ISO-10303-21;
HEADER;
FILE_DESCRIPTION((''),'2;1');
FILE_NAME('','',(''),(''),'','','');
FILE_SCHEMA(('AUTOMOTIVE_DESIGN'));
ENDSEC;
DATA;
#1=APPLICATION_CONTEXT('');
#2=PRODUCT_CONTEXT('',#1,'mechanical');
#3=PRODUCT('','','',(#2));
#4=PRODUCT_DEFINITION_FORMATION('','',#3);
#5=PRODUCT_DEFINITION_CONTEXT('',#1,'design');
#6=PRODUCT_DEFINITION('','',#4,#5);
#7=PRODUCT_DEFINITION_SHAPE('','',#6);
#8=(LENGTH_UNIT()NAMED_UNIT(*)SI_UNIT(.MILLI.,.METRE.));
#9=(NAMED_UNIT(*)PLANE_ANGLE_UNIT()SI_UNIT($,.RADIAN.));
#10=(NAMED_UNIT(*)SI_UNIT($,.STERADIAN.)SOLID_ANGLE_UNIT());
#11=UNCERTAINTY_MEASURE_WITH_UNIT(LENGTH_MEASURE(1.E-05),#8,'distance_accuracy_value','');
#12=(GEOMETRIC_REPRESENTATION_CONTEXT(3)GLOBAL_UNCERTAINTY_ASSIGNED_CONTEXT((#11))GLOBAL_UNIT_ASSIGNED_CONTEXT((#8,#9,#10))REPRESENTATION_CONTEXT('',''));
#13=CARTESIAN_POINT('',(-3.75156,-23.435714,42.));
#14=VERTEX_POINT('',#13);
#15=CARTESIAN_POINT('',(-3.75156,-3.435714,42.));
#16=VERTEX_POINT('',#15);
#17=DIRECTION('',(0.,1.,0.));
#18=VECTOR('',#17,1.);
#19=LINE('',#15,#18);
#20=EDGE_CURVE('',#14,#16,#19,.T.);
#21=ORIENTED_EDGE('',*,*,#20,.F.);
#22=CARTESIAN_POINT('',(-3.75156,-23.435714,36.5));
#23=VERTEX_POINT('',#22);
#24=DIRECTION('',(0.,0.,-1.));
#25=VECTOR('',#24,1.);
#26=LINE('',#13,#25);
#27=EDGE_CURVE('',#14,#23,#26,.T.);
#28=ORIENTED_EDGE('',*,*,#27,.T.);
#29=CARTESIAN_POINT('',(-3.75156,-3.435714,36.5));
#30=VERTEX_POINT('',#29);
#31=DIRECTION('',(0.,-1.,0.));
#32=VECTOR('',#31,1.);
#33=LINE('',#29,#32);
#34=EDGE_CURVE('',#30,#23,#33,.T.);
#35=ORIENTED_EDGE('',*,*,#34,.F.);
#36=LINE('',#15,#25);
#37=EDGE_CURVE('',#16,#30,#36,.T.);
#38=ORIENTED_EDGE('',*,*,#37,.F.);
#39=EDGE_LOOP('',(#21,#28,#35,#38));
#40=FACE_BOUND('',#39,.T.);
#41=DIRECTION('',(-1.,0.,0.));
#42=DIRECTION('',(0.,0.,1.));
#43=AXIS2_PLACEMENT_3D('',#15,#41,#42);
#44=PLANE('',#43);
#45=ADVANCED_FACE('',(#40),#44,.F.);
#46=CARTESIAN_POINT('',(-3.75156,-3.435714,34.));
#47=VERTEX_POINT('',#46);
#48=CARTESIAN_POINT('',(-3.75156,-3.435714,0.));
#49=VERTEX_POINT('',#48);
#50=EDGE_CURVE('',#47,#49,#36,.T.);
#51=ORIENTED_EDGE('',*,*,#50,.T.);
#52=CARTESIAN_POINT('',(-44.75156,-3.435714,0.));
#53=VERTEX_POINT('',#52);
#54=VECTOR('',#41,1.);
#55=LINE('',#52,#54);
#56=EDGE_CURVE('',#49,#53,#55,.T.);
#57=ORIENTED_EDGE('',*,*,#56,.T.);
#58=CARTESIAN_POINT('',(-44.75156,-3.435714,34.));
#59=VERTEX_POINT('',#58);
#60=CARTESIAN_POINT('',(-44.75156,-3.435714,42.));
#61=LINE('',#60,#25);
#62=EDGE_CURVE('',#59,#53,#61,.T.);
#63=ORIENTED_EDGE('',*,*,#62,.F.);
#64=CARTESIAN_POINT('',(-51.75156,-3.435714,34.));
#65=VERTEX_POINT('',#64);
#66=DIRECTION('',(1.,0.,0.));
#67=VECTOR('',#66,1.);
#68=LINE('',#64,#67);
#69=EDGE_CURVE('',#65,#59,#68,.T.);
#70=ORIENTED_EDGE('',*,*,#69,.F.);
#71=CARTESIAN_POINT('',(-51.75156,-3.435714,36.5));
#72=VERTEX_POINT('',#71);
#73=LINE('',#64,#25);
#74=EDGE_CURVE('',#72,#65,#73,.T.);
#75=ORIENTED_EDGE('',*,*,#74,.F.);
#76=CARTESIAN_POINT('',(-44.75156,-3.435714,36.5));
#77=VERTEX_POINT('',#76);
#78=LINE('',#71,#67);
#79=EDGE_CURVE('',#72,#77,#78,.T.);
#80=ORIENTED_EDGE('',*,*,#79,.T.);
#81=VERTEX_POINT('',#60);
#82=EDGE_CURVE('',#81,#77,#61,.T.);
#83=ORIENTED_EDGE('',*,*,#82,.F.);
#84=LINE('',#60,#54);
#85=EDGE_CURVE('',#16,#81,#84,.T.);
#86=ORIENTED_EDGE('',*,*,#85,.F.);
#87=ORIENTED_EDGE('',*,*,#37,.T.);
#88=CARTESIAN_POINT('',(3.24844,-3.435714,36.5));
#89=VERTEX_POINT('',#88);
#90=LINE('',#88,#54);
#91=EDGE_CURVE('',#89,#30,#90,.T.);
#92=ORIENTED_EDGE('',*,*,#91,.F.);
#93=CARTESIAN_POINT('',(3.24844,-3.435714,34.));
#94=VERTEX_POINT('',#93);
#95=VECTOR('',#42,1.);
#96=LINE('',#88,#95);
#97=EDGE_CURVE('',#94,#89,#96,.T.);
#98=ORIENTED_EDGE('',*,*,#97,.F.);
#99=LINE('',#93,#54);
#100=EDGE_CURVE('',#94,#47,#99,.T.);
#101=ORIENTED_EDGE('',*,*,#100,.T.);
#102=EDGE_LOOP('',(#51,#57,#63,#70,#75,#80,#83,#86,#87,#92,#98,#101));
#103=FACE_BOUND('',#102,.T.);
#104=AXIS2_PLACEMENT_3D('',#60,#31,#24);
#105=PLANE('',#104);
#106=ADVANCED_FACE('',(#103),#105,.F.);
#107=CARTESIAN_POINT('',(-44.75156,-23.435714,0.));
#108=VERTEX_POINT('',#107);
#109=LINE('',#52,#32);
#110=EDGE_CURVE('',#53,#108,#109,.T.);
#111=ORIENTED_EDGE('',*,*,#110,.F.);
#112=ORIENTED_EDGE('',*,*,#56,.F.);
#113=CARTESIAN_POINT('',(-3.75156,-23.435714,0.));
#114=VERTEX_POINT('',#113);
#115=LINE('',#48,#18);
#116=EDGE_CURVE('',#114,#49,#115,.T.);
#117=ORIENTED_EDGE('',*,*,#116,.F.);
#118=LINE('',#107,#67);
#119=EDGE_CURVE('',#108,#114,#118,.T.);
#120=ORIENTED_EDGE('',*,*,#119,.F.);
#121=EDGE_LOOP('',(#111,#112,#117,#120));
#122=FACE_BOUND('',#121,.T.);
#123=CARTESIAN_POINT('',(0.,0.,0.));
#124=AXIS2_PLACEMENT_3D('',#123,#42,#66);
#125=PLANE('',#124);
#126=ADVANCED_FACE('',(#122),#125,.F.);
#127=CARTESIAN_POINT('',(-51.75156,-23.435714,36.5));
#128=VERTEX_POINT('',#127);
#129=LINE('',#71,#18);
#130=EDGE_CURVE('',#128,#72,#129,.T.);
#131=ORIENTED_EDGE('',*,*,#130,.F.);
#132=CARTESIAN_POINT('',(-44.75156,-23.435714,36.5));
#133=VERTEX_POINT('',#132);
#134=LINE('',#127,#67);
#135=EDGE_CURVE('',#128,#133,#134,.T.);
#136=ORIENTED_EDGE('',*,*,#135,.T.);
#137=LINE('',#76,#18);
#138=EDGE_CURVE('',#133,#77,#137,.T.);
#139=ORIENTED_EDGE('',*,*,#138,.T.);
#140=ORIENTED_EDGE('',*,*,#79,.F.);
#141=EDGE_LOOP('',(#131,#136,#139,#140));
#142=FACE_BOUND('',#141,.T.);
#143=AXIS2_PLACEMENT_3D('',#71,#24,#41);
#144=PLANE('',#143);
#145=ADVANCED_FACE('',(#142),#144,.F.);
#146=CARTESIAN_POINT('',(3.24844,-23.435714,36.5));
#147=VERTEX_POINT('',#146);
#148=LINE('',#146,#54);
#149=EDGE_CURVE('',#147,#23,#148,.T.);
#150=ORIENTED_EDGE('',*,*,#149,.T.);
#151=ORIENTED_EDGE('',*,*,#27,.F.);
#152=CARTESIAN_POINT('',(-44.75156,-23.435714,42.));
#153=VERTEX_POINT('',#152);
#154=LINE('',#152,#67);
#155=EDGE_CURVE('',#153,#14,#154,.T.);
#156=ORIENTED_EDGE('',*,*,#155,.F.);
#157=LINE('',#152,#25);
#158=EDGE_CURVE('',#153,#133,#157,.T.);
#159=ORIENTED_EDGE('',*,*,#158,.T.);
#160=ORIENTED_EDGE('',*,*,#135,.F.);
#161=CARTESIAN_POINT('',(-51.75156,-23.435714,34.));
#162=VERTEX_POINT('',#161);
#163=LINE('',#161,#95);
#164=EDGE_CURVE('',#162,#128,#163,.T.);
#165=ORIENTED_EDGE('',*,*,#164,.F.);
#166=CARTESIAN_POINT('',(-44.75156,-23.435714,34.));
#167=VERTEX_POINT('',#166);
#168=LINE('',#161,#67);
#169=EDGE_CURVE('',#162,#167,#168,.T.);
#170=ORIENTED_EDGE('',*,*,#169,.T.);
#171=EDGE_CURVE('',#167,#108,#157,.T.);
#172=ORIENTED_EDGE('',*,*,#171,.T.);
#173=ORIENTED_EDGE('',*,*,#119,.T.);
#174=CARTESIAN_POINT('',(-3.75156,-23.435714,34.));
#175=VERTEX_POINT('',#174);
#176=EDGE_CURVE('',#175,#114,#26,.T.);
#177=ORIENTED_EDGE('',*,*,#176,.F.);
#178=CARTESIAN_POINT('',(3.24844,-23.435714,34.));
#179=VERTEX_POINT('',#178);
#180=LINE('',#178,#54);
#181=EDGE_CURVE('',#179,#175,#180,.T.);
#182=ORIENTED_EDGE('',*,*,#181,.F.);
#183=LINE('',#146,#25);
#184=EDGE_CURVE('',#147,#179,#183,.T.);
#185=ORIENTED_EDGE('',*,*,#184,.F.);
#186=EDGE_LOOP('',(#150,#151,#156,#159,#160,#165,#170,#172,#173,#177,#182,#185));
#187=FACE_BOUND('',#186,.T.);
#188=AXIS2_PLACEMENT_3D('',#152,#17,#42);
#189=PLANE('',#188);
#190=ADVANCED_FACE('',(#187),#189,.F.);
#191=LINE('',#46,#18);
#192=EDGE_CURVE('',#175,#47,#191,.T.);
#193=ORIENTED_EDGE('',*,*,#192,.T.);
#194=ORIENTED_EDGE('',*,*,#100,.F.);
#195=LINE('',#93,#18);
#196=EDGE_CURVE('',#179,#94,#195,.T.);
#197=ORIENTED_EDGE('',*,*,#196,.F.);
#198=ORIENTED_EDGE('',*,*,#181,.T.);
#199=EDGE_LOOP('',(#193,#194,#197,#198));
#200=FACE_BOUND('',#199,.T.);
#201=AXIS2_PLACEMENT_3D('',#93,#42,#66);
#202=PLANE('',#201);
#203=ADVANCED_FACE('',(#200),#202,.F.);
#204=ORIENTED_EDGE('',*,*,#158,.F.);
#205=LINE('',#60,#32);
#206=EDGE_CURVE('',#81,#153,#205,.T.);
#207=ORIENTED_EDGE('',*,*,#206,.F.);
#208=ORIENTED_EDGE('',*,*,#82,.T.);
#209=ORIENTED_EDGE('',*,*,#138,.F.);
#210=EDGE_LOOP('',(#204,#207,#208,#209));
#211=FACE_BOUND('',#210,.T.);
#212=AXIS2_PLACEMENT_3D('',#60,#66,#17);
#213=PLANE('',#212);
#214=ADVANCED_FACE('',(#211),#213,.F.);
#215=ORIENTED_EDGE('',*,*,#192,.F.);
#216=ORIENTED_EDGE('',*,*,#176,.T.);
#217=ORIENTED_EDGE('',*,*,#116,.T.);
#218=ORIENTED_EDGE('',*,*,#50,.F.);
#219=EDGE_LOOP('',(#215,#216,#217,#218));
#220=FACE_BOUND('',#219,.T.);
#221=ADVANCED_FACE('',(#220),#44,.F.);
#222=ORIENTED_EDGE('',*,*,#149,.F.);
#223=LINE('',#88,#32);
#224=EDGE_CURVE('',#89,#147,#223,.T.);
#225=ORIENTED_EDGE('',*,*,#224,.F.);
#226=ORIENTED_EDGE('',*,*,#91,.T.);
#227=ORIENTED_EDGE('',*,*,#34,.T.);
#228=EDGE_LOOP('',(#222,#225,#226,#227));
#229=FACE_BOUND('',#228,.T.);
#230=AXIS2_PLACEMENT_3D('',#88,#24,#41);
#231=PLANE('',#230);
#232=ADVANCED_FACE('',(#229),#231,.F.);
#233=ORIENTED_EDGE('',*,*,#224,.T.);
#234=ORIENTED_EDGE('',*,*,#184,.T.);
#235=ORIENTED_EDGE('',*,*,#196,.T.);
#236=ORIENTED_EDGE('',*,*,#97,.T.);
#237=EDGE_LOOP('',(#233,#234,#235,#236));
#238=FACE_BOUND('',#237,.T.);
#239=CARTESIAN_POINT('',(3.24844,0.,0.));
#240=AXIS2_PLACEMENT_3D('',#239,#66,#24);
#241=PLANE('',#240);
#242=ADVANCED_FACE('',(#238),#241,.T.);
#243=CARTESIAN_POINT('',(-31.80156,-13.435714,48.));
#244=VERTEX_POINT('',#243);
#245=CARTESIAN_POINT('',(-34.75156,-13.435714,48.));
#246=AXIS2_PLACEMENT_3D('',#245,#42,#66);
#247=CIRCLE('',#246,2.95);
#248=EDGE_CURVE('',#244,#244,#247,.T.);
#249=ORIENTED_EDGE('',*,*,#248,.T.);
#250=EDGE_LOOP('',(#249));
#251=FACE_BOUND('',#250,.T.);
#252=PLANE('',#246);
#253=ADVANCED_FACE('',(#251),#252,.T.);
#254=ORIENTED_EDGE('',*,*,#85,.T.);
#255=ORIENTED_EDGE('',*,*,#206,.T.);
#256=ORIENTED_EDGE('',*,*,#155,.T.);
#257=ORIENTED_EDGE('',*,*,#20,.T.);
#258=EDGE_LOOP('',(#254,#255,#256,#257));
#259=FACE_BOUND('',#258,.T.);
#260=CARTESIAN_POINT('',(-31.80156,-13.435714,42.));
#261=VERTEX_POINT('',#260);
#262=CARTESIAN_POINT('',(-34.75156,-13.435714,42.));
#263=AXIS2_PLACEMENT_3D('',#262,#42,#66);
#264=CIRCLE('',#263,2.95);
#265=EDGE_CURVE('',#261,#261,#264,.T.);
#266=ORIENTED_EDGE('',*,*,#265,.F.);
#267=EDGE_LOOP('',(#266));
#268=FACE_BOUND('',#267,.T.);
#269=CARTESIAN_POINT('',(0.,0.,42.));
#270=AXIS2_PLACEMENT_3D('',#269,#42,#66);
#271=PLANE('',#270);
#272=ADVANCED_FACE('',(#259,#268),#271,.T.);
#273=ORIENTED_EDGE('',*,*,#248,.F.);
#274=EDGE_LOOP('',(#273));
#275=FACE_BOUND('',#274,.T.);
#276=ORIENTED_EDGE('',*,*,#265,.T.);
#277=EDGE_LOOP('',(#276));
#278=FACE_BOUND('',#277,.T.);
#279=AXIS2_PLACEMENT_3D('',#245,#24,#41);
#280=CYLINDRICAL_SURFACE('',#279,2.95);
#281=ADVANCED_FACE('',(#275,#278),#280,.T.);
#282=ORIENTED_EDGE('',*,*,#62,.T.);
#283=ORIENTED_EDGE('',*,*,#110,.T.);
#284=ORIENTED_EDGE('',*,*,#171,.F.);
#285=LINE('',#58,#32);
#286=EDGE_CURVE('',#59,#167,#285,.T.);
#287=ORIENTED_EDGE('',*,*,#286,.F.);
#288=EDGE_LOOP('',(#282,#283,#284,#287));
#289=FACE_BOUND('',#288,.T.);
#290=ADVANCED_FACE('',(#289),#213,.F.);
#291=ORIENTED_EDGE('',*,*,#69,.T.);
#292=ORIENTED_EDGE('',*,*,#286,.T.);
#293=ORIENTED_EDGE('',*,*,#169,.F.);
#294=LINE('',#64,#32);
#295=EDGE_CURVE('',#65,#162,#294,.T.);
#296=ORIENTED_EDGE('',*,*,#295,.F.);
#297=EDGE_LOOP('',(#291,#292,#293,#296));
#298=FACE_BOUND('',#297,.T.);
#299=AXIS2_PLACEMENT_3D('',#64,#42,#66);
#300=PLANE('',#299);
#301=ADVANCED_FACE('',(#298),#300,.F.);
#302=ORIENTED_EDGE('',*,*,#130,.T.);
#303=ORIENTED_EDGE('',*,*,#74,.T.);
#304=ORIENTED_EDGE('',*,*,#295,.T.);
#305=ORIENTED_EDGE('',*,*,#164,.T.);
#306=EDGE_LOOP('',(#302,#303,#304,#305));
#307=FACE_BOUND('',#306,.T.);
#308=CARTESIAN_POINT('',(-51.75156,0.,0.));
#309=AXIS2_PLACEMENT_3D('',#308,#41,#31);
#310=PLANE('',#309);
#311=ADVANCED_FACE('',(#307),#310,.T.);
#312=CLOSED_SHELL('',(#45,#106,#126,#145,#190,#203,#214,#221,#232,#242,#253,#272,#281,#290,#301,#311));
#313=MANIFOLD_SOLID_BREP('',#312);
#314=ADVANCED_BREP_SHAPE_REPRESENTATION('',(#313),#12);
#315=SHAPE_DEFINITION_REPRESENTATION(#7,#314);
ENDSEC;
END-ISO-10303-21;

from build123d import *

# Parameters (mm, degrees)
SKETCH_1_W      = 41
SKETCH_1_H      = 20
EXTRUDE_1_DEPTH = 42
SKETCH_3_W      = 2.5
SKETCH_3_H      = 20
EXTRUDE_2_DEPTH = 7
SKETCH_4_W      = 2.5
SKETCH_4_H      = 20
EXTRUDE_3_DEPTH = 7
SKETCH_5_R      = 2.95
EXTRUDE_4_DEPTH = 6


with BuildPart() as part:
    # ｽｹｯﾁ1 → ﾎﾞｽ - 押し出し1 (new body)
    with BuildSketch(Plane.XY):
        with Locations((-24.251560295, -13.435714286)):
            Rectangle(SKETCH_1_W, SKETCH_1_H)
    extrude(amount=EXTRUDE_1_DEPTH)

    # ｽｹｯﾁ3 → ﾎﾞｽ - 押し出し2 (add)
    with BuildSketch(Plane(origin=(-3.751560295, 0, 0), x_dir=(0, 0, -1), z_dir=(1, 0, 0))):
        with Locations((-35.25, -13.435714286)):
            Rectangle(SKETCH_3_W, SKETCH_3_H)
    extrude(amount=EXTRUDE_2_DEPTH)

    # ｽｹｯﾁ4 → ﾎﾞｽ - 押し出し3 (add)
    with BuildSketch(Plane.ZY.offset(44.751560295)):
        with Locations((35.25, -13.435714286)):
            Rectangle(SKETCH_4_W, SKETCH_4_H)
    extrude(amount=EXTRUDE_3_DEPTH)

    # ｽｹｯﾁ5 → ﾎﾞｽ - 押し出し4 (add)
    with BuildSketch(Plane.XY.offset(42)):
        with Locations((-34.751560295, -13.435714286)):
            Circle(SKETCH_5_R)
    extrude(amount=EXTRUDE_4_DEPTH)


solid = part.part
